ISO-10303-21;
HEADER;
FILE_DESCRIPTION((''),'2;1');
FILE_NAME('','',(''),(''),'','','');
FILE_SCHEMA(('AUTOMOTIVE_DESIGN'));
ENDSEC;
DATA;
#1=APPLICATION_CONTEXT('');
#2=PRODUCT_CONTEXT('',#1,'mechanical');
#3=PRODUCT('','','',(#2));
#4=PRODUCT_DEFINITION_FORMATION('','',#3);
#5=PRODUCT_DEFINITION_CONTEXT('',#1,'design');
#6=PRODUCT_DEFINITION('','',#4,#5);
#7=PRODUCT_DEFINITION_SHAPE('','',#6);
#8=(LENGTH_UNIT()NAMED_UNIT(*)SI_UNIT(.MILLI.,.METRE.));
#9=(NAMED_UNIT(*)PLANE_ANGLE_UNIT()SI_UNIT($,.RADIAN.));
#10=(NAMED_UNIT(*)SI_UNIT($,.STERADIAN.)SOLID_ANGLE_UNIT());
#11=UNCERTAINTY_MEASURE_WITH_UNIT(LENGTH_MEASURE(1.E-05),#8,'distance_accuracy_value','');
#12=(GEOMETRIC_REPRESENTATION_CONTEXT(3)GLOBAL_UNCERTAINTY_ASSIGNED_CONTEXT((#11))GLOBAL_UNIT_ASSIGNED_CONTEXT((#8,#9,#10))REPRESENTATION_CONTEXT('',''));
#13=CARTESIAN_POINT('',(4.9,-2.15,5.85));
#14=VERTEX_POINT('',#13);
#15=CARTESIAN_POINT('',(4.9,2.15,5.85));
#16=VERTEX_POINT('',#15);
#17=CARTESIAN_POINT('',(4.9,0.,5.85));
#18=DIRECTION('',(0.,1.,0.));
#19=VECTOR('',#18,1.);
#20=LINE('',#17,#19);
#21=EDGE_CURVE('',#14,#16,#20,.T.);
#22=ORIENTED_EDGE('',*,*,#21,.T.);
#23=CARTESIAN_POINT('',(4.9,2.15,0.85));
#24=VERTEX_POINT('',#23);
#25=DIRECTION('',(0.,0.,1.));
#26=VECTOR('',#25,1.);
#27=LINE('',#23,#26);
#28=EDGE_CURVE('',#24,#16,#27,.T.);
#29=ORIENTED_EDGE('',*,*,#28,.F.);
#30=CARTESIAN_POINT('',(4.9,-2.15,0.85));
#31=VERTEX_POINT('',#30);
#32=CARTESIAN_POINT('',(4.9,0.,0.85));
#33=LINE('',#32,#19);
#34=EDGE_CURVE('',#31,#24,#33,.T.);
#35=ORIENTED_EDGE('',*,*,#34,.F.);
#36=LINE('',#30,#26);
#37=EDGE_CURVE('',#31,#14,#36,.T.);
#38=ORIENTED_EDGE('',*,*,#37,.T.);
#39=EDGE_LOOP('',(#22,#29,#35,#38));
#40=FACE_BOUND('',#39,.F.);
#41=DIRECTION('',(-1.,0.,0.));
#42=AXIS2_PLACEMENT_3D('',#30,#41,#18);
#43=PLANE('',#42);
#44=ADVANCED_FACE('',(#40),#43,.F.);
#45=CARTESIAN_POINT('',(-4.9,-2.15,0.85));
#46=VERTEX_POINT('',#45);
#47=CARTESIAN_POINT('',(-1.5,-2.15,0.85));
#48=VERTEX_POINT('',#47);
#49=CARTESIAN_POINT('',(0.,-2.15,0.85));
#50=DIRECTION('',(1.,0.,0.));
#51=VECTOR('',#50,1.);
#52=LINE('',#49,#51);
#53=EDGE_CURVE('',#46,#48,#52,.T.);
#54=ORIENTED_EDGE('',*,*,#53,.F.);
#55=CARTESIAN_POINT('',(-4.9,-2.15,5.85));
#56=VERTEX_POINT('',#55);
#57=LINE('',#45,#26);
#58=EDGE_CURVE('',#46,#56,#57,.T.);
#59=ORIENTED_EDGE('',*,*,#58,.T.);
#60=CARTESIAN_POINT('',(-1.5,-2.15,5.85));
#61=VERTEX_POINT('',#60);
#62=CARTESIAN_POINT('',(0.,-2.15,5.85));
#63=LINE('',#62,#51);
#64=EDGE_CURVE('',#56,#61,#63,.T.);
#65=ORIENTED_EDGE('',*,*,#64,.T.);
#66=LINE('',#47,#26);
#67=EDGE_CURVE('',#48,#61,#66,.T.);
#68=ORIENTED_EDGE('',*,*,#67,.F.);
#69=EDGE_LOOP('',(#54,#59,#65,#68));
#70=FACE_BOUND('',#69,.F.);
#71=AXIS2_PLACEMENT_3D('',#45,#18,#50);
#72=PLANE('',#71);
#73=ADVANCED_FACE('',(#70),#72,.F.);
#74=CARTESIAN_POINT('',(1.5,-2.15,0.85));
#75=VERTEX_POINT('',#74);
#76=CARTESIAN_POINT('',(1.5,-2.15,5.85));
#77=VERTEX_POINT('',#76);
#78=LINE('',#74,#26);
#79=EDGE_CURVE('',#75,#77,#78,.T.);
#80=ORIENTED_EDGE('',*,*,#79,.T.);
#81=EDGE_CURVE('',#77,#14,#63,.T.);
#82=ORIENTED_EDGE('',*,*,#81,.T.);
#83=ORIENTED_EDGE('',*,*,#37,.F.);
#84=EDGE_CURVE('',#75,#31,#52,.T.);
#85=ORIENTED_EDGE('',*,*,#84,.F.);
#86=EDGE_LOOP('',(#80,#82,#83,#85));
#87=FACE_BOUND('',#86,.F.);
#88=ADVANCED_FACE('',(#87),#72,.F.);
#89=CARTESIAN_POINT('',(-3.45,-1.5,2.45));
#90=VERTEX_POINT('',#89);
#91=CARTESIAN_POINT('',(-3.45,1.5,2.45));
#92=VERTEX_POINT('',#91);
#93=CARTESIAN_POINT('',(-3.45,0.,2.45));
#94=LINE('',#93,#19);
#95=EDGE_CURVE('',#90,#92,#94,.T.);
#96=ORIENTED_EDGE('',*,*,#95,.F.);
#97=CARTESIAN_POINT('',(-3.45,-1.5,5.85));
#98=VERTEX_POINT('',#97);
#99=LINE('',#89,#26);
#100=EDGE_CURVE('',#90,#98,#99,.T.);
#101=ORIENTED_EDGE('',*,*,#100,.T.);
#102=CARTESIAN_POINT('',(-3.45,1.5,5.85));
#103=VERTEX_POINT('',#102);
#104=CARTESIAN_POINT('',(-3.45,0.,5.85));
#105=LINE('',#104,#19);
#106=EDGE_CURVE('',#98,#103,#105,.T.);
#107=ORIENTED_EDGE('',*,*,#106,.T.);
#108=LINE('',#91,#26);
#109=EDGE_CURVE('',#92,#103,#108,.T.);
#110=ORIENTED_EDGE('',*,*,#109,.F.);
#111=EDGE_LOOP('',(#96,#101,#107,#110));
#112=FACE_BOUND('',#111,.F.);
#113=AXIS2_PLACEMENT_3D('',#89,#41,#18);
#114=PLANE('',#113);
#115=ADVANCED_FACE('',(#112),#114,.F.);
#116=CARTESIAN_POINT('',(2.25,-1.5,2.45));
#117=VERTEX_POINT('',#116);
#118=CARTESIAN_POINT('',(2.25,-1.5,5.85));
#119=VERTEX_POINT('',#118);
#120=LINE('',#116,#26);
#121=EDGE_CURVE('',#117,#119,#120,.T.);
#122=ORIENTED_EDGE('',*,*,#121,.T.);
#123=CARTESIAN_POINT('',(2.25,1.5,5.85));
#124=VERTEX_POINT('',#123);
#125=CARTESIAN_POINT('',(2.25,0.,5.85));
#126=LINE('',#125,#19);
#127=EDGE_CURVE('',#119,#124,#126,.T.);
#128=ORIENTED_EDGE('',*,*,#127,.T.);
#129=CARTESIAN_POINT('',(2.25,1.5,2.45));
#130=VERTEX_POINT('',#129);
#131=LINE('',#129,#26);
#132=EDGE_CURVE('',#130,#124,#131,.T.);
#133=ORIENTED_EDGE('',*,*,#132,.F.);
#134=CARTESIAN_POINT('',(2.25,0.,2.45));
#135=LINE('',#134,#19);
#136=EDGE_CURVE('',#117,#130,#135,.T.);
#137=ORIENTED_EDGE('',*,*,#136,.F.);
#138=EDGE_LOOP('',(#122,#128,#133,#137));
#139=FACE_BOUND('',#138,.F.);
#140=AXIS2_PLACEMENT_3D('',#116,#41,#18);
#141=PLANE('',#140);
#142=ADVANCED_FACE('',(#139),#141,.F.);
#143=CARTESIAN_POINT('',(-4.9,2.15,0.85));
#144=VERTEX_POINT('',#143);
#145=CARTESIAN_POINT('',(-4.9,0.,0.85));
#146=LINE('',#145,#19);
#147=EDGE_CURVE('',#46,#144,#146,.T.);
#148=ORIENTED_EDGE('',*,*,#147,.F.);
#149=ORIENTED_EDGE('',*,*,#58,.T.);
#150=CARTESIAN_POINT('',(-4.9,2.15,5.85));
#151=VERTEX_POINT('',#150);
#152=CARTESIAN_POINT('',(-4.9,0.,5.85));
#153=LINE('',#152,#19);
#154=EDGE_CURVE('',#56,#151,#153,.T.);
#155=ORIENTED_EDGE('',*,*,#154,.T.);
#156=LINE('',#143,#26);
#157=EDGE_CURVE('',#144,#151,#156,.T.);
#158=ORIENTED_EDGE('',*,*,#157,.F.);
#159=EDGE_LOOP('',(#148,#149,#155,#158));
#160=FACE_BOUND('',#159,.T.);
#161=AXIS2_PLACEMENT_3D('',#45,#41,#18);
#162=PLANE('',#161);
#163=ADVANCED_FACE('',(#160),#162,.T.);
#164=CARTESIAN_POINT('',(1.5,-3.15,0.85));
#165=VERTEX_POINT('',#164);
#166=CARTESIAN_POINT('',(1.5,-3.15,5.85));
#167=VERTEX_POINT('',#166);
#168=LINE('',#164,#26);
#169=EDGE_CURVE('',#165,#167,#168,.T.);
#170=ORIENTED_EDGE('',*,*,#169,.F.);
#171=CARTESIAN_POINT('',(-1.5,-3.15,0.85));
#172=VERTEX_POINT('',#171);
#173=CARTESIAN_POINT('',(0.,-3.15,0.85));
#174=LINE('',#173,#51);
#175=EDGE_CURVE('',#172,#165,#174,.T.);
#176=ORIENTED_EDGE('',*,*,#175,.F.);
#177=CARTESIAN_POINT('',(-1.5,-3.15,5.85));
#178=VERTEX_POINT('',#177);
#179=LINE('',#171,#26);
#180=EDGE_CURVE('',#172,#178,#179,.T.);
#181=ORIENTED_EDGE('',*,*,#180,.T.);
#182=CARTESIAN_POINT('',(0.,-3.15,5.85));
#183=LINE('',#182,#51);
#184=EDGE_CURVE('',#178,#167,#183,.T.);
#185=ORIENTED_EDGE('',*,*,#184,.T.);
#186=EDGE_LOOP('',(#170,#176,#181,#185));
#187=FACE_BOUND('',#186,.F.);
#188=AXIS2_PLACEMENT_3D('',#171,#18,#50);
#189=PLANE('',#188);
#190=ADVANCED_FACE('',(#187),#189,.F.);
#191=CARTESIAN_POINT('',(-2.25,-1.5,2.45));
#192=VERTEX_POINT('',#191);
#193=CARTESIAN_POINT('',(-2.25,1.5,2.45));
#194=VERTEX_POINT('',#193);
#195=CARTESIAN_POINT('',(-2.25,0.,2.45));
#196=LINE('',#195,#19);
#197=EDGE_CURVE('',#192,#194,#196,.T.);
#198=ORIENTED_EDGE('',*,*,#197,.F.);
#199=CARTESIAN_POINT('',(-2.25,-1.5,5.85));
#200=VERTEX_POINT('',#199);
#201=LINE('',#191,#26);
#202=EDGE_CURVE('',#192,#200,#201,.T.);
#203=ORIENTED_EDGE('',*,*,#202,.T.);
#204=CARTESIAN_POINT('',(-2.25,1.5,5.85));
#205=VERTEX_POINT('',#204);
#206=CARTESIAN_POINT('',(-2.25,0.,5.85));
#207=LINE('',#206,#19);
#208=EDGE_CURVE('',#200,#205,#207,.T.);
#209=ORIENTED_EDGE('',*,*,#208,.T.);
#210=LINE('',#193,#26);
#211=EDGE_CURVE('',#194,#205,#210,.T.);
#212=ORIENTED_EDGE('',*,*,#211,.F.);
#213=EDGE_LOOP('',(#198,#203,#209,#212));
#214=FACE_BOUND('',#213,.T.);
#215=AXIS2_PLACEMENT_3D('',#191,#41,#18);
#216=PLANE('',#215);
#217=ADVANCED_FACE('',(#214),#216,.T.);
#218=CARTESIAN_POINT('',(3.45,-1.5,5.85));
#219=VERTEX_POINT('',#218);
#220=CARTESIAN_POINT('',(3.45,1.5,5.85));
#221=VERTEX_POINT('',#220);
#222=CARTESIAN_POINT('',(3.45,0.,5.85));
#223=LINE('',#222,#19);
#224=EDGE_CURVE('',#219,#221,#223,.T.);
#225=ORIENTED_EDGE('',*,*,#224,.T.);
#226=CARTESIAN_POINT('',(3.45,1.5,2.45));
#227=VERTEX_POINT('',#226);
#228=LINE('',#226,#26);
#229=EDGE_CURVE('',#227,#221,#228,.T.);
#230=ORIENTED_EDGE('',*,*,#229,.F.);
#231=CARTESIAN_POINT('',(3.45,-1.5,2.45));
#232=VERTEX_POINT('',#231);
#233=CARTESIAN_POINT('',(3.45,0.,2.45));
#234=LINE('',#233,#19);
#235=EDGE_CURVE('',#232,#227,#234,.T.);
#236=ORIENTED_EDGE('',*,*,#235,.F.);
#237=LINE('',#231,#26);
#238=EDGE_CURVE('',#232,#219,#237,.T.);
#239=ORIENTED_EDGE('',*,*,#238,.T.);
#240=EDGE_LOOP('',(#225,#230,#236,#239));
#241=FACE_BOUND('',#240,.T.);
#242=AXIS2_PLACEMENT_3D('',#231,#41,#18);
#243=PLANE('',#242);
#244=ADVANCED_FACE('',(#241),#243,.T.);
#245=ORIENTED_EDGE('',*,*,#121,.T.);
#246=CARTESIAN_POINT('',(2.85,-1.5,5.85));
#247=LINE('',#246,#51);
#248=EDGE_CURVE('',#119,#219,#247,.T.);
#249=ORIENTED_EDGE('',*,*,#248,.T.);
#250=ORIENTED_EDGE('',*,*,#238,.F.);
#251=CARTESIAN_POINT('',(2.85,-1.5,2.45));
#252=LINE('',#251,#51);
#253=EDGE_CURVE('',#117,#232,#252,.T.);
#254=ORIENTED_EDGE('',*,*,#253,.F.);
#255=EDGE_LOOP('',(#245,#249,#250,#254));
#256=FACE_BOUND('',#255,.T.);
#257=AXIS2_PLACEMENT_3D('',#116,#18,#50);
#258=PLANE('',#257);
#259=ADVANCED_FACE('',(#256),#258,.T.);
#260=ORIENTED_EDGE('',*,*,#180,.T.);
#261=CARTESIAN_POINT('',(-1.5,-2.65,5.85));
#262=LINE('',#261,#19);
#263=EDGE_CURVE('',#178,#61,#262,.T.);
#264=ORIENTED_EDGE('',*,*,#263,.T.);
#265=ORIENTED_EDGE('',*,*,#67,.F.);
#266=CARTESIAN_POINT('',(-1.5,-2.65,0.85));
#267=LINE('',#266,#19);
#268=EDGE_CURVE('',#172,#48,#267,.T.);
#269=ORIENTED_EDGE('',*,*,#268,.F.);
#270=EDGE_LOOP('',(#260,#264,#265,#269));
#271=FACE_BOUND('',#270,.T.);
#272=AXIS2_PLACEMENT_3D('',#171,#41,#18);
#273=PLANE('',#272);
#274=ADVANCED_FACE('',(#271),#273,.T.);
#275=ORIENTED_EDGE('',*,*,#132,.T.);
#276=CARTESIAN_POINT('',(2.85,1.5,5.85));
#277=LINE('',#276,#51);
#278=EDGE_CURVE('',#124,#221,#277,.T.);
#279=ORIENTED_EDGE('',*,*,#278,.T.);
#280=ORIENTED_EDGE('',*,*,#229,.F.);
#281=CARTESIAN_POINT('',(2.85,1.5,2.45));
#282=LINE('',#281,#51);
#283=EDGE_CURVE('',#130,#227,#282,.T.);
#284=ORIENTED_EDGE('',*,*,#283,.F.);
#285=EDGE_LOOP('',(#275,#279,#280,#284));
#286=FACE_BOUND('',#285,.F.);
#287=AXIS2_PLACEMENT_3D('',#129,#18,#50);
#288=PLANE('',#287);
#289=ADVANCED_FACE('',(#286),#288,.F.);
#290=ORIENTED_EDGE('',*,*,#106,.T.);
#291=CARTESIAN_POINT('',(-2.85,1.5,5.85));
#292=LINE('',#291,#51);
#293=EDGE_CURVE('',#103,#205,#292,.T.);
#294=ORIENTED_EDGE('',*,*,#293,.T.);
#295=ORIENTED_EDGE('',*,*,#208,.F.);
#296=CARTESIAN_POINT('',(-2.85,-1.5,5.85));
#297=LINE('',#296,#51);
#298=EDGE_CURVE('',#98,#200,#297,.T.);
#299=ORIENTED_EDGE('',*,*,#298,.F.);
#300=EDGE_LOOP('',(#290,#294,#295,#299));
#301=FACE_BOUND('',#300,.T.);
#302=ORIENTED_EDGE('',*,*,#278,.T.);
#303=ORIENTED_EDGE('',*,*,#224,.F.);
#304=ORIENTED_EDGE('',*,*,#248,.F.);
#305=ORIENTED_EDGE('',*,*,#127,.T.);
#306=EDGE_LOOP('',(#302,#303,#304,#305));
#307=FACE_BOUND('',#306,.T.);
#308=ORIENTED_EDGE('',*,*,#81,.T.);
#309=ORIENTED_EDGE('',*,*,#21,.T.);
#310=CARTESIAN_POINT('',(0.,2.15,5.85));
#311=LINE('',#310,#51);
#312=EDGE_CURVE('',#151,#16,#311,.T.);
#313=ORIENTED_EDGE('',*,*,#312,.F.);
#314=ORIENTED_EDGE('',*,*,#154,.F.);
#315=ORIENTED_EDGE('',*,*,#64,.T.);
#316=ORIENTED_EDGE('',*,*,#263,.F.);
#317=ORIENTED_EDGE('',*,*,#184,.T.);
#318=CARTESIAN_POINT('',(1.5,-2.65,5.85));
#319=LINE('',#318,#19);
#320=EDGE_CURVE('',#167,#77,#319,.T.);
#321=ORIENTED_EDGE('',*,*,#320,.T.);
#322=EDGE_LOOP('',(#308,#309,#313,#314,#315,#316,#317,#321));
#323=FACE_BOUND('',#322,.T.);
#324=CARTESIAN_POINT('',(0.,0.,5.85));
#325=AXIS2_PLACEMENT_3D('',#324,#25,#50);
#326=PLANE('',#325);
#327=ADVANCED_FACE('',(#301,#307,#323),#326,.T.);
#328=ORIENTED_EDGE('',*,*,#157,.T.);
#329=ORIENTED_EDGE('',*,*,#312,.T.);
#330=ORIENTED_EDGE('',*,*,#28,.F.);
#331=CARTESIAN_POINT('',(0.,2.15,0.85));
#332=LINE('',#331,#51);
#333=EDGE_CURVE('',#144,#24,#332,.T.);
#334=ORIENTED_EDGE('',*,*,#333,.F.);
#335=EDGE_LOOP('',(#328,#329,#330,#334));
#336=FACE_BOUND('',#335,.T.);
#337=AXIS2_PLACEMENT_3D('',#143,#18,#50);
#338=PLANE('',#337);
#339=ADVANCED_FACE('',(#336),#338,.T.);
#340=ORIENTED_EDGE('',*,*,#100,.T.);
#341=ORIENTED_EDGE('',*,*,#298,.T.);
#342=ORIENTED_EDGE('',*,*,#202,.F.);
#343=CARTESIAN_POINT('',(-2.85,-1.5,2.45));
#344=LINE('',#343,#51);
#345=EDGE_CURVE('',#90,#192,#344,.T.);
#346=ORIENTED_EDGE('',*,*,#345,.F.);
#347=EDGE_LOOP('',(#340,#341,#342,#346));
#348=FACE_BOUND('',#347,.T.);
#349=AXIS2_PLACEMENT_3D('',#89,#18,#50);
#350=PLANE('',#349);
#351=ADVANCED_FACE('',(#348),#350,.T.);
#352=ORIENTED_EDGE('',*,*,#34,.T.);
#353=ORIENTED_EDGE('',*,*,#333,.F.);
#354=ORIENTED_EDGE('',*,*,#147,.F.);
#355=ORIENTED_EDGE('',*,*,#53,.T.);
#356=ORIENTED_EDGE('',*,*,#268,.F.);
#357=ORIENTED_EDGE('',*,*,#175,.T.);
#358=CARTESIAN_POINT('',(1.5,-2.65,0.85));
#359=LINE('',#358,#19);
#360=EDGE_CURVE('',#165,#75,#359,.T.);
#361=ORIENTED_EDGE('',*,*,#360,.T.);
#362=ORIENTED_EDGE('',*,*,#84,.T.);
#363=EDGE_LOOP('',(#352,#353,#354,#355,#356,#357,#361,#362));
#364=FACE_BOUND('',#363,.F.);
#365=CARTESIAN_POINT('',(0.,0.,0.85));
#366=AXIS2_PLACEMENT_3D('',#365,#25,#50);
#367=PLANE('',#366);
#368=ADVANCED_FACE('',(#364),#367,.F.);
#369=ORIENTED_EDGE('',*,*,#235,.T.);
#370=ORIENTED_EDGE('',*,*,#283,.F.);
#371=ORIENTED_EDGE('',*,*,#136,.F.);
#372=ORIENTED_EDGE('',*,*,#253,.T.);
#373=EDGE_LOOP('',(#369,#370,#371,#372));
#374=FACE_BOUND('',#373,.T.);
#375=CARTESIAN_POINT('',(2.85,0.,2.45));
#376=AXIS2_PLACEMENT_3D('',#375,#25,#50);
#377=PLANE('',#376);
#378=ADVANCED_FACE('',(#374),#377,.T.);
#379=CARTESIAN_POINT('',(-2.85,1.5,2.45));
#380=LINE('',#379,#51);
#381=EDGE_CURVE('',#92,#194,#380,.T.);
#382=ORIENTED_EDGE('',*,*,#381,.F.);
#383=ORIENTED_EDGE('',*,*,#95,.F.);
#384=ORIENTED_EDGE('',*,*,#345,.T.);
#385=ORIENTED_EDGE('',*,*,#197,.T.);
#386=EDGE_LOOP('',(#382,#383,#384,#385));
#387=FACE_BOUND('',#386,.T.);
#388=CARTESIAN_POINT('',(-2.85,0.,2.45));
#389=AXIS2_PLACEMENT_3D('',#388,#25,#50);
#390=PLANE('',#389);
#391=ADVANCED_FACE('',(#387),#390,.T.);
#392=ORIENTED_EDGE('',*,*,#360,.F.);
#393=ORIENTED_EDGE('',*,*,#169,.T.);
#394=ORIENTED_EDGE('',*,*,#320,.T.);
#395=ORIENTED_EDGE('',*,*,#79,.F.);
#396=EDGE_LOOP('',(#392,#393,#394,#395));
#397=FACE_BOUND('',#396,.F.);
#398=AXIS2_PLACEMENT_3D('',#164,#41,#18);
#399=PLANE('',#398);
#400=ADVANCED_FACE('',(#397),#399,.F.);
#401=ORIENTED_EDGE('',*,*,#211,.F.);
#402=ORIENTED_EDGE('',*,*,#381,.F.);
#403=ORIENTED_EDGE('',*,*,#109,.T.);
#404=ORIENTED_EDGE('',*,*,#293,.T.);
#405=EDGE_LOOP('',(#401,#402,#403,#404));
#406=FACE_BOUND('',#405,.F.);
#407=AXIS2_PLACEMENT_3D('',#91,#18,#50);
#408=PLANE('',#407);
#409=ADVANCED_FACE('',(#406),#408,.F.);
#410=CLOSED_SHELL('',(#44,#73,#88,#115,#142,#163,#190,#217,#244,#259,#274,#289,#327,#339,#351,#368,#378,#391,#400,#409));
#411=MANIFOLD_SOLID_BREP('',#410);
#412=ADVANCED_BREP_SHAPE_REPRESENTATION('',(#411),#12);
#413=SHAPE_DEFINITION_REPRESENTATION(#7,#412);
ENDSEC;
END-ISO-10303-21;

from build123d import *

# Parameters (mm, degrees)
BOX019_W     = 1.2
BOX019_H     = 3
BOX019_DEPTH = 3.4
BOX020_W     = 1.2
BOX020_H     = 3
BOX020_DEPTH = 3.4
BOX018_W     = 9.8
BOX018_H     = 4.3
BOX018_DEPTH = 5
BOX017_W     = 3
BOX017_H     = 1
BOX017_DEPTH = 5


with BuildPart() as pg1232_hole1:
    # Box019 → Box019 (new body)
    with BuildSketch(Plane(origin=(-3.45, -1.5, 2.45), x_dir=(1, 0, 0), z_dir=(0, 0, 1))):
        with Locations((0.6, 1.5)):
            Rectangle(BOX019_W, BOX019_H)
    extrude(amount=BOX019_DEPTH)


with BuildPart() as pg1232_hole:
    # Box020 → Box020 (new body)
    with BuildSketch(Plane(origin=(2.25, -1.5, 2.45), x_dir=(1, 0, 0), z_dir=(0, 0, 1))):
        with Locations((0.6, 1.5)):
            Rectangle(BOX020_W, BOX020_H)
    extrude(amount=BOX020_DEPTH)

    # Fusion002: union PG1232_Hole1
    add(pg1232_hole1.part)


with BuildPart() as pg1232_stemmain:
    # Box018 → Box018 (new body)
    with BuildSketch(Plane(origin=(-4.9, -2.15, 0.85), x_dir=(1, 0, 0), z_dir=(0, 0, 1))):
        with Locations((4.9, 2.15)):
            Rectangle(BOX018_W, BOX018_H)
    extrude(amount=BOX018_DEPTH)


with BuildPart() as pg1232_stem:
    # Box017 → Box017 (new body)
    with BuildSketch(Plane(origin=(-1.5, -3.15, 0.85), x_dir=(1, 0, 0), z_dir=(0, 0, 1))):
        with Locations((1.5, 0.5)):
            Rectangle(BOX017_W, BOX017_H)
    extrude(amount=BOX017_DEPTH)

    # Fusion003: union PG1232_StemMain
    add(pg1232_stemmain.part)

    # Cut002: cut PG1232_Hole
    add(pg1232_hole.part, mode=Mode.SUBTRACT)


solid = pg1232_stem.part
